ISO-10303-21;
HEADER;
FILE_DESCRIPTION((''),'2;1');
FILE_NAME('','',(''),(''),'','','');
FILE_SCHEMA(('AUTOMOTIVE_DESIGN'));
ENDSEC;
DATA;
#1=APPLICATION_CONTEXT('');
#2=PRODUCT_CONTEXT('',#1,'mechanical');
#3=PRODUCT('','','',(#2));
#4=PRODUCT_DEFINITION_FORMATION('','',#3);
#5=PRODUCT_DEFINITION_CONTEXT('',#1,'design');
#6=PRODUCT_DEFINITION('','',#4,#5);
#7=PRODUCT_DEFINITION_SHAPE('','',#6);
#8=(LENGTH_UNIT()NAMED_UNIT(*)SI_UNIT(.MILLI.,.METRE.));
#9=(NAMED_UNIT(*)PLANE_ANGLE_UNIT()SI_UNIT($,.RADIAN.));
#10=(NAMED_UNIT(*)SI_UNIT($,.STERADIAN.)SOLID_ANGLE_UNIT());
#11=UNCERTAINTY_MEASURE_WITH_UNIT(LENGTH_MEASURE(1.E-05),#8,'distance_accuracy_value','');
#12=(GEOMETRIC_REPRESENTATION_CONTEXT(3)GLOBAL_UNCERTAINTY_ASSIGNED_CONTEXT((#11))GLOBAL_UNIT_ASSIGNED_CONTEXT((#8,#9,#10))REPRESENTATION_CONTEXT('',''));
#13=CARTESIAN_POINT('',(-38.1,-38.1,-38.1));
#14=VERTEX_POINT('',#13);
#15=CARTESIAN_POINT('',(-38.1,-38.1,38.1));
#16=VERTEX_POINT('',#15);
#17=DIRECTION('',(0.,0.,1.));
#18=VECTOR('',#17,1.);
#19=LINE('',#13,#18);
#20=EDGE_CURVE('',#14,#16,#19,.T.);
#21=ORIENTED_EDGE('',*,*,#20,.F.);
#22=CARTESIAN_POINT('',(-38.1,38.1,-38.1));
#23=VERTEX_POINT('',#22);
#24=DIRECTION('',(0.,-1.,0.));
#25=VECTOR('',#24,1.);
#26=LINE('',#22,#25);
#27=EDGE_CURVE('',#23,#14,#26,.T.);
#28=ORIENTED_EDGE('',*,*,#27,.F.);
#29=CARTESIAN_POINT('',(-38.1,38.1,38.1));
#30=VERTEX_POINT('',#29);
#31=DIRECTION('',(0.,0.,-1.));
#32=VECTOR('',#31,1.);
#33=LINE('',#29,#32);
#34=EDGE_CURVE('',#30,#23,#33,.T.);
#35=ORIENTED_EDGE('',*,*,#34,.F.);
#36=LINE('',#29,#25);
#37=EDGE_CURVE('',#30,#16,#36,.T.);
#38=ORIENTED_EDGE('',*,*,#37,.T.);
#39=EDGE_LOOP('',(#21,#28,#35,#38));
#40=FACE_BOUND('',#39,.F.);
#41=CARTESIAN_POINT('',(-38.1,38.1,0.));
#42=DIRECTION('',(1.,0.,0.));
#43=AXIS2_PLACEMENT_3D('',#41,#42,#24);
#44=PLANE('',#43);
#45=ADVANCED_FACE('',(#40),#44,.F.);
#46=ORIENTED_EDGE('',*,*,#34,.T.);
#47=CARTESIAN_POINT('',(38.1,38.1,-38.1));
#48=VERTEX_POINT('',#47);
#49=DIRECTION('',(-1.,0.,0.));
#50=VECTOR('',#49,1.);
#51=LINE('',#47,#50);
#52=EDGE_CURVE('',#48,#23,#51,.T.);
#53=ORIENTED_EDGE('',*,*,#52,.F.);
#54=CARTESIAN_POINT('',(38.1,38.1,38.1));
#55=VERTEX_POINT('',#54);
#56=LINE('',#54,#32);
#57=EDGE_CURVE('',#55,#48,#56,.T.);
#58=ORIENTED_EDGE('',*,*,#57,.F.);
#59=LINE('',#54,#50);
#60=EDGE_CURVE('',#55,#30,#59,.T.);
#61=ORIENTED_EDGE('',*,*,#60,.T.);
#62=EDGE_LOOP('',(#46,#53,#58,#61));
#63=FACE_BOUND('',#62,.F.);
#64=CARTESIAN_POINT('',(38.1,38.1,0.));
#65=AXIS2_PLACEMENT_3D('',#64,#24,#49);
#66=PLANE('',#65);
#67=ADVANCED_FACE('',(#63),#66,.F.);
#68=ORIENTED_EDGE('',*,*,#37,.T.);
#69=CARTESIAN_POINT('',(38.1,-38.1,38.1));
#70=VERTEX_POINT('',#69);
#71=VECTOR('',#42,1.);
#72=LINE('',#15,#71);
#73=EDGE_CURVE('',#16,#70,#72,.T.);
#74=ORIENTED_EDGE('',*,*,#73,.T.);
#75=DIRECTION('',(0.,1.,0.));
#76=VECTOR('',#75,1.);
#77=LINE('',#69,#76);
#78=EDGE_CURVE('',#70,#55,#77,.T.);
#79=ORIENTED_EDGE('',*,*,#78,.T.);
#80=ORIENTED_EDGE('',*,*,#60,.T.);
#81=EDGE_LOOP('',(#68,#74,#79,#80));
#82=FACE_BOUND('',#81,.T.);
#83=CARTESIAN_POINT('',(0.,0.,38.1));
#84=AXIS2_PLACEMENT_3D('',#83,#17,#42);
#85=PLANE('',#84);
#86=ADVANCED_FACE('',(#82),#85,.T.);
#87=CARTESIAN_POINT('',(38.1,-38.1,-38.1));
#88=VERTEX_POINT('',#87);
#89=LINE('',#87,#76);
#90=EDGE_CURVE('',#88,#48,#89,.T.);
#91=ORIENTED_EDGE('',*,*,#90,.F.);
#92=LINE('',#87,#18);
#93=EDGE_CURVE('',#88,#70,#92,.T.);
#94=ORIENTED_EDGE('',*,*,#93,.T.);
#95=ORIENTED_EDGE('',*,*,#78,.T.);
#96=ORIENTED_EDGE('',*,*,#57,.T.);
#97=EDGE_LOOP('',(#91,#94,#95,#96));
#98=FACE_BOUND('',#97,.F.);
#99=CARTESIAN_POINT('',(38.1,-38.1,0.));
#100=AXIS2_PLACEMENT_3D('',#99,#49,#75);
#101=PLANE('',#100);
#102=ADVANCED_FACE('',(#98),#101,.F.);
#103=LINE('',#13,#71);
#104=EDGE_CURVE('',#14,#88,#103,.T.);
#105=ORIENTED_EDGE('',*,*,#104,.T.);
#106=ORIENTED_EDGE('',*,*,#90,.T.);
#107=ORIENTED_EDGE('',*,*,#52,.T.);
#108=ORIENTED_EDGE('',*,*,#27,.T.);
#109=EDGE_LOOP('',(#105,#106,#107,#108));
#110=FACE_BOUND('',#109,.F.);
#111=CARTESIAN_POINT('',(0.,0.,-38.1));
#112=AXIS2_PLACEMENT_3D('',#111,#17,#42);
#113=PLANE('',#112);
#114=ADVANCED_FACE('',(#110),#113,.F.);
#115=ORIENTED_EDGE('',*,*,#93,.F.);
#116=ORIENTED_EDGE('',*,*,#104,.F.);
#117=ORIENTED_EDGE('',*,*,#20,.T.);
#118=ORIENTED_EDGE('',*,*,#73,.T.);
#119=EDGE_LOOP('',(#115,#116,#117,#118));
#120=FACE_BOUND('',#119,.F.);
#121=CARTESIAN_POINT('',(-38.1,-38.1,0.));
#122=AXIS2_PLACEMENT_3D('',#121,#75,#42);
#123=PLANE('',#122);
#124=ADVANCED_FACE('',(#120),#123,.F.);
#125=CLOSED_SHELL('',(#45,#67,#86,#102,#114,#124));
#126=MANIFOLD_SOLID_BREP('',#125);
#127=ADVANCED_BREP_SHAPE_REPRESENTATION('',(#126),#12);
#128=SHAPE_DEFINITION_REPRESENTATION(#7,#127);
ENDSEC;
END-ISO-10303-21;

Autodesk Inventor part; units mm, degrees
ref_plane "YZ Plane" through (0, 0, 0) normal (1, 0, 0) x (0, 1, 0)
ref_plane "XZ Plane" through (0, 0, 0) normal (0, 1, 0) x (-1, 0, 0)
ref_plane "XY Plane" through (0, 0, 0) normal (0, 0, 1) x (1, 0, 0)
sketch "Sketch1" plane through (0, 0, 0) normal (0, 0, 1) x (1, 0, 0)
  line L0 (-38.1, -38.1) -> (38.1, -38.1)
  line L1 (38.1, -38.1) -> (38.1, 38.1)
  line L2 (38.1, 38.1) -> (-38.1, 38.1)
  line L3 (-38.1, 38.1) -> (-38.1, -38.1)
  line L4 (-38.1, -38.1) -> (38.1, 38.1) construction
  line L5 (38.1, -38.1) -> (-38.1, 38.1) construction
  point P0 (0, 0)
  dimension "d0" = 76.2
  dimension "d1" = 76.2
extrude "Extrusion1" add sketch "Sketch1" along normal mid plane 76.2
properties part number "sampleWeight" material "Lead"
